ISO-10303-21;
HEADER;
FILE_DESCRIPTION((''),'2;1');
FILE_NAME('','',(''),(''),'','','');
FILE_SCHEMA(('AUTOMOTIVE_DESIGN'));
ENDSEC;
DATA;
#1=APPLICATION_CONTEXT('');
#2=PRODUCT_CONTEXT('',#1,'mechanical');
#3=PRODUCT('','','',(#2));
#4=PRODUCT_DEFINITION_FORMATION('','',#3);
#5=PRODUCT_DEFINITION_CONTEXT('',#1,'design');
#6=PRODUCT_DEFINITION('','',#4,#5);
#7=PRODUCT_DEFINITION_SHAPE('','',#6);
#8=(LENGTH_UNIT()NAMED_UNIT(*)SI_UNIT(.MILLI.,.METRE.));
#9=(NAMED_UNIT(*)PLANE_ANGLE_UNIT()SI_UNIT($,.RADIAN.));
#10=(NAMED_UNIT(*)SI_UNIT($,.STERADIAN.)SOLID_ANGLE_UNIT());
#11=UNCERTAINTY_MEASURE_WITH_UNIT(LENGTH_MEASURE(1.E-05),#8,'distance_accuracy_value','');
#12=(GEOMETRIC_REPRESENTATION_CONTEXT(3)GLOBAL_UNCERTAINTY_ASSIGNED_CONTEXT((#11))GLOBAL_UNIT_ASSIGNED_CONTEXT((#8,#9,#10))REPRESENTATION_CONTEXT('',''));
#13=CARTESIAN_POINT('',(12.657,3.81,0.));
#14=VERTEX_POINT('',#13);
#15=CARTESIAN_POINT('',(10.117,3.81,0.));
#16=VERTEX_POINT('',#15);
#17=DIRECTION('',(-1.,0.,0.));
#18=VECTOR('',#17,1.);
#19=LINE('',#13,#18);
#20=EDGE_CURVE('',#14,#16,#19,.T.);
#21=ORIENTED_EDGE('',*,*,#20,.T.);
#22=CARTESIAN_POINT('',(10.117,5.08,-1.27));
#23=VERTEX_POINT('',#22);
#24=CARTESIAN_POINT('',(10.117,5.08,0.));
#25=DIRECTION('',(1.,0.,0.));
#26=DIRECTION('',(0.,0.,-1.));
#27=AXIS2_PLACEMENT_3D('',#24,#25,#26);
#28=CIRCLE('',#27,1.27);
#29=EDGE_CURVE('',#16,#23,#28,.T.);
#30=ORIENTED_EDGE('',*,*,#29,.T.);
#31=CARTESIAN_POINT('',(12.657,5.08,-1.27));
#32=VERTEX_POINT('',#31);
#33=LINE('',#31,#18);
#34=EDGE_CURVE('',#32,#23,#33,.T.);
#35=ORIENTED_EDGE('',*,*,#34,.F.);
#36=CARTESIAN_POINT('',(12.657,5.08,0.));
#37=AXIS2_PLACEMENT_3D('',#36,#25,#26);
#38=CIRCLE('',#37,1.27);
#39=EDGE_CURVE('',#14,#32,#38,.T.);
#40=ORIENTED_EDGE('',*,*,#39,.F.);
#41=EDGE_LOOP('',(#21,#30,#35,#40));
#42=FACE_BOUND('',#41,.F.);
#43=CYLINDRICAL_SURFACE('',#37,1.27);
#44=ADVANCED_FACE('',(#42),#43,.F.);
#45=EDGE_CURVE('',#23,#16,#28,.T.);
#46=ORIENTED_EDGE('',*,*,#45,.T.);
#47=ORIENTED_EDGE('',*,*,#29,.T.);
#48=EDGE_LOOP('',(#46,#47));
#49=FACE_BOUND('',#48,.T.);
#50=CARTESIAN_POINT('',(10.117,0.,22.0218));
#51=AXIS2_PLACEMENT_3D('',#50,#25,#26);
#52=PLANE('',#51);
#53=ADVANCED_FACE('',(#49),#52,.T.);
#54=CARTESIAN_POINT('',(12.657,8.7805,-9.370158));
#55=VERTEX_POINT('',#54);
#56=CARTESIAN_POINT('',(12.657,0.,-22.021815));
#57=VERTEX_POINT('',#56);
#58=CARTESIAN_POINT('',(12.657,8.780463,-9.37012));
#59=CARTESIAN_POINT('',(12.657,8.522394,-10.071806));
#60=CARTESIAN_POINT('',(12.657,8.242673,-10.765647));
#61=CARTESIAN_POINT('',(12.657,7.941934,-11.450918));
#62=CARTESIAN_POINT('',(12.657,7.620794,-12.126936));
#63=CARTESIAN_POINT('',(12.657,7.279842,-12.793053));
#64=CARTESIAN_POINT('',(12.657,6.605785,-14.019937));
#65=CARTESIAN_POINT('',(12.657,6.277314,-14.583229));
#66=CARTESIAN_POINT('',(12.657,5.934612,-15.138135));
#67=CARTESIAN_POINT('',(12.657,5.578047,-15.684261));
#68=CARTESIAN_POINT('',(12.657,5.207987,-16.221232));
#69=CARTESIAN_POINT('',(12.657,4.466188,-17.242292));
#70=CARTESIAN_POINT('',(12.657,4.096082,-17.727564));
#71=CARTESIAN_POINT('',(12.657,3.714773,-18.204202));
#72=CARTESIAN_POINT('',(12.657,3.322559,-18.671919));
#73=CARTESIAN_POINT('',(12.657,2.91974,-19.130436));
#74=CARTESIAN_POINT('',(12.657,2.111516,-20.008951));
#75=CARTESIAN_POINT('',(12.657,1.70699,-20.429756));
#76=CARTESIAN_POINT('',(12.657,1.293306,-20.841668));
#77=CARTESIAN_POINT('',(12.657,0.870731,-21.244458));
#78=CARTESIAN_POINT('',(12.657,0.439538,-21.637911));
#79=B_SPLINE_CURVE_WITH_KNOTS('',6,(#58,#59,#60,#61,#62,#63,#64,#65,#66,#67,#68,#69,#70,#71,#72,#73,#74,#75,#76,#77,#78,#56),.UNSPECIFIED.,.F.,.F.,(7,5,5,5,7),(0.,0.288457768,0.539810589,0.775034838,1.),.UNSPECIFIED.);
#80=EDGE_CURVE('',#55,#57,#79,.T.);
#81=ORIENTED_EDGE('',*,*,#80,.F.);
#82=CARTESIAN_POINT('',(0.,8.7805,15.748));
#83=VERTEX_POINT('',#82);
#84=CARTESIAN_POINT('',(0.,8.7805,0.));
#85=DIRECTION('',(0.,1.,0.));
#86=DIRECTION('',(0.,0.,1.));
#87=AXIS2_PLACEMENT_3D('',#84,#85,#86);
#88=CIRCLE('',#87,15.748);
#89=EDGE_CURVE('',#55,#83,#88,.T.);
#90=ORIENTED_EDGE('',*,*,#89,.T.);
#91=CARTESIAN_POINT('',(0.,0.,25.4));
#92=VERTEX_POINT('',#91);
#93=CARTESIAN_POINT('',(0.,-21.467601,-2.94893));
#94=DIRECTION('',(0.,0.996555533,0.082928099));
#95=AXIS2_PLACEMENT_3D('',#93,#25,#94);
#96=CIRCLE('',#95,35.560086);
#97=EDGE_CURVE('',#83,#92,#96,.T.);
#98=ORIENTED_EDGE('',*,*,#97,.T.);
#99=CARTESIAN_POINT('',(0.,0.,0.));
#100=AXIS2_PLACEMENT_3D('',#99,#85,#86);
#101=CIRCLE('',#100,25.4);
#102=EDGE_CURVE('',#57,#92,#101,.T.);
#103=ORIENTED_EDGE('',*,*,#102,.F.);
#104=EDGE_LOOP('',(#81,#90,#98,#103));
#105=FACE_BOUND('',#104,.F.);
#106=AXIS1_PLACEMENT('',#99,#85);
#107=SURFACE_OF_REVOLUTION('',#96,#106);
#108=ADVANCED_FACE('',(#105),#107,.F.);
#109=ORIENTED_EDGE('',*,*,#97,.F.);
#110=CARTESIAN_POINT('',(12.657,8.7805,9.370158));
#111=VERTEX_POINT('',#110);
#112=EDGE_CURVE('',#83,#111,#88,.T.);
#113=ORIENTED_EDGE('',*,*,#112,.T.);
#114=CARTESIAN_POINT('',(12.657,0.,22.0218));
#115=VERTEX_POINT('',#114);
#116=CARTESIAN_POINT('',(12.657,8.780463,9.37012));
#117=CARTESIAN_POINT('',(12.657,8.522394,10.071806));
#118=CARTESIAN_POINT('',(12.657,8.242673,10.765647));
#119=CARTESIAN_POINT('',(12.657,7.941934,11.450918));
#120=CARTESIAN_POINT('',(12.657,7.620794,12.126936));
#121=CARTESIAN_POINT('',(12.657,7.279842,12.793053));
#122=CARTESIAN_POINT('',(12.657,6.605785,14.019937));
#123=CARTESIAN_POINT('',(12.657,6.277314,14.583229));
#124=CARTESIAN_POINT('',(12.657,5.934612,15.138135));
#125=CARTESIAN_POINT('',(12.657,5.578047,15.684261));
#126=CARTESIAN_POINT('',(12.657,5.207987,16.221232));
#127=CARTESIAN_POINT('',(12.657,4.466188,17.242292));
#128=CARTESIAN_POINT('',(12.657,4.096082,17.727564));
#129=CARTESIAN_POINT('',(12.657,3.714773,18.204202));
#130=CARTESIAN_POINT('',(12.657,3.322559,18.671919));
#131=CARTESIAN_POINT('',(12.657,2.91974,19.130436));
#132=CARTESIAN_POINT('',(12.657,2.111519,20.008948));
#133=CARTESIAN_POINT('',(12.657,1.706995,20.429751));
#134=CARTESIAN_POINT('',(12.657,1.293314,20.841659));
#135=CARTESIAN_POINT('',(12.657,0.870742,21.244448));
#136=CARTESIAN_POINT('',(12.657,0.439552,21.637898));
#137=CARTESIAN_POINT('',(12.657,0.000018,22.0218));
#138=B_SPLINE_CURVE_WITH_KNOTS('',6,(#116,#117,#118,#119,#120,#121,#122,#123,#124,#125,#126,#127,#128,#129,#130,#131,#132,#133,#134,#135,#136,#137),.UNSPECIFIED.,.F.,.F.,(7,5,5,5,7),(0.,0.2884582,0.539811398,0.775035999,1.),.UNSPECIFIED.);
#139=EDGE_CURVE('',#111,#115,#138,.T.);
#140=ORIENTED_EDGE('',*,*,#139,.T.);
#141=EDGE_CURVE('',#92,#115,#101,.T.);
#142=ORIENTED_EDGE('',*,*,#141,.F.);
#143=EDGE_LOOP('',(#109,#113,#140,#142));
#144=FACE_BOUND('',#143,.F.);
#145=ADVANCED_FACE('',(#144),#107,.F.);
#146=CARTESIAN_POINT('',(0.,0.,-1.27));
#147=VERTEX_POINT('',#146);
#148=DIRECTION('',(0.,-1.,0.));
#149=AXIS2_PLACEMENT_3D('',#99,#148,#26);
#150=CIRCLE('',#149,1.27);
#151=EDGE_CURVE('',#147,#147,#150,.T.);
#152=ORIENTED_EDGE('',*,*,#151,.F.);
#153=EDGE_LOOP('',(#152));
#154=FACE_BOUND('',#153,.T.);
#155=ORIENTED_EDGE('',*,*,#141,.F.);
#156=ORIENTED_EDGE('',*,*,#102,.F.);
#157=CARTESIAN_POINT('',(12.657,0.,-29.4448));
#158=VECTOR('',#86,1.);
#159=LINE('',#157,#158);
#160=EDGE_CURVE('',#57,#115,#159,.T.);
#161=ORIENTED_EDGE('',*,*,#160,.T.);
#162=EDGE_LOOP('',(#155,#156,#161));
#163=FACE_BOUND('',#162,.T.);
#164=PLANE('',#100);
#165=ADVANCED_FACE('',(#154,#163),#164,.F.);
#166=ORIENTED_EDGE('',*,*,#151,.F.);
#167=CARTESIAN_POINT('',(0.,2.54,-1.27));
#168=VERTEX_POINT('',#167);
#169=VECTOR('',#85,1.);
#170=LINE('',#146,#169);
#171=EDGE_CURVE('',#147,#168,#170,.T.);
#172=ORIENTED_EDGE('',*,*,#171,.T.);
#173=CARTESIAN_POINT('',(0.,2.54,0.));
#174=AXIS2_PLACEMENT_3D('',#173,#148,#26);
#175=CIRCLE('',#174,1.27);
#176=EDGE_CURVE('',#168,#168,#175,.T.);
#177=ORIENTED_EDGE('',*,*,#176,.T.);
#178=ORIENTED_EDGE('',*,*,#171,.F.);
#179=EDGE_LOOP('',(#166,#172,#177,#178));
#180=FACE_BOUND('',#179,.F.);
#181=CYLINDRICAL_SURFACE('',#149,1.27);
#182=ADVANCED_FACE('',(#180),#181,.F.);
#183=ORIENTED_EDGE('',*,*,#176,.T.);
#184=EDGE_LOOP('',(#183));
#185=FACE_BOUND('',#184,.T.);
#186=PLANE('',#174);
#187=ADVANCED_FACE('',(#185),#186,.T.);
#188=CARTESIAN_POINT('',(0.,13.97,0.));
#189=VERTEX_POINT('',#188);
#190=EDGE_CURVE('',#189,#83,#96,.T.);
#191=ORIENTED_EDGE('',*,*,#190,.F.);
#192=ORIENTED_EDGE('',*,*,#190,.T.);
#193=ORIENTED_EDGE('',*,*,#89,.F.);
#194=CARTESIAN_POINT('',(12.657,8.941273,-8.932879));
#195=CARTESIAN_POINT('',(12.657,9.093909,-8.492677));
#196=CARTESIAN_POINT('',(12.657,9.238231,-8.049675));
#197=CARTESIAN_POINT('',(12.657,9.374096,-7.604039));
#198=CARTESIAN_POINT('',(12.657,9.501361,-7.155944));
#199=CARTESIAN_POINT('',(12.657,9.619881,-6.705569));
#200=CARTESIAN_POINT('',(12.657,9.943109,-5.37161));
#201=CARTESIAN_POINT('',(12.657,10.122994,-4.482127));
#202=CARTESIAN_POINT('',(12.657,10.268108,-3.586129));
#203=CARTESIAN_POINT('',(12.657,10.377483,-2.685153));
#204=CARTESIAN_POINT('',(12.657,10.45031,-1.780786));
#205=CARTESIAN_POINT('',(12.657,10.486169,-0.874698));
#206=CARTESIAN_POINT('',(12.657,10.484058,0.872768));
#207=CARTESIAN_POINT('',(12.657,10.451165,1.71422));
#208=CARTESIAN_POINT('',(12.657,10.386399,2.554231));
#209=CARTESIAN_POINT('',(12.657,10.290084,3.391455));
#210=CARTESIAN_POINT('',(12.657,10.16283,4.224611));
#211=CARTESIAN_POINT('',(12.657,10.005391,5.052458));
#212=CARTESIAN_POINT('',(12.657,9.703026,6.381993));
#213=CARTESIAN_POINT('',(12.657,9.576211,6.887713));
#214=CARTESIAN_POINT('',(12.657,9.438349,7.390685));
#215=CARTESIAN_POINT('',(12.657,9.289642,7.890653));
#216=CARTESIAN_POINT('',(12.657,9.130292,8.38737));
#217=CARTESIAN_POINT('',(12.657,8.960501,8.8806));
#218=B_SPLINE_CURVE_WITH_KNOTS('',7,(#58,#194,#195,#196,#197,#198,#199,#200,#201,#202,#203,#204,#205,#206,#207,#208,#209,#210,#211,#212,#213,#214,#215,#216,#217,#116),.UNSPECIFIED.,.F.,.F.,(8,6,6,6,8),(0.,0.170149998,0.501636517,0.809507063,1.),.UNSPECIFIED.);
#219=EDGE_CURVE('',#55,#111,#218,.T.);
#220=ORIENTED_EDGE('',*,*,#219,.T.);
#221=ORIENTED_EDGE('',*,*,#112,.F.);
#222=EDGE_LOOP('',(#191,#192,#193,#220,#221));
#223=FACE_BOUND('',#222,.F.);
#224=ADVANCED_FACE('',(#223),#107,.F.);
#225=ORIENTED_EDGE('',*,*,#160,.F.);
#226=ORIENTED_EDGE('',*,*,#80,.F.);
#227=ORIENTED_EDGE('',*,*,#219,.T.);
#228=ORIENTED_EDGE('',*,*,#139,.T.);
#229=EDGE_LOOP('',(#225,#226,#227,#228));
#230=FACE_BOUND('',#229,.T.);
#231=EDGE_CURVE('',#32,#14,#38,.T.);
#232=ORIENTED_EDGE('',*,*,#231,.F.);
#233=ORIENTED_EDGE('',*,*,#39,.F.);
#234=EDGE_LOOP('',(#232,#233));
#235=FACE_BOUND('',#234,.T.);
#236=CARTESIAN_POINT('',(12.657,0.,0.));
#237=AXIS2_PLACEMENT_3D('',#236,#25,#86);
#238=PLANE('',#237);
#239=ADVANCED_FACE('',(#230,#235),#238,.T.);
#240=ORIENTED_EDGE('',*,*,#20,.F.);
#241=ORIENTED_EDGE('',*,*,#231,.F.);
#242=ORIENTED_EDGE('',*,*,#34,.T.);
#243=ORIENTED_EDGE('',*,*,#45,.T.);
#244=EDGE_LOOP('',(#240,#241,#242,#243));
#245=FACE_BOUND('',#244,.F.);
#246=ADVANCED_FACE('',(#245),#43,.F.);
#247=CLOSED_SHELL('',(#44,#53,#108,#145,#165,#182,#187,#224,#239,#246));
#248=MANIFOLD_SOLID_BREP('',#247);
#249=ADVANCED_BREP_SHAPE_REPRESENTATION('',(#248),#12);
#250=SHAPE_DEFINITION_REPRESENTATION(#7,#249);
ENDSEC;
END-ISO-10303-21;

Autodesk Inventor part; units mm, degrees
ref_plane "YZ Plane" through (0, 0, 0) normal (1, 0, 0) x (0, 1, 0)
ref_plane "XZ Plane" through (0, 0, 0) normal (0, 1, 0) x (-1, 0, 0)
ref_plane "XY Plane" through (0, 0, 0) normal (0, 0, 1) x (1, 0, 0)
sketch "Sketch1" plane through (0, 0, 0) normal (1, 0, 0) x (0, 1, 0)
  line L0 (0, 0) -> (0, 25.4)
  line L1 (0, 0) -> (13.97, 0)
  arc A0 (13.97, 0) -> (0, 25.4) centre (-21.4675, -2.9489) ccw
  line L2 (0, 0) -> (0, 15.748)
  line L3 (0, 15.748) -> (8.7805, 15.748)
  dimension "d0" = 25.4
  dimension "d1" = 13.97
  dimension "d2" = 35.56
  dimension "d3" = 15.748
revolve "Revolution1" add sketch "Sketch1" angle 360 about axis through (0, 0, 0) along (0, 1, 0)
sketch "Sketch6" plane through (0, 0, 0) normal (0, -1, 0) x (0, 0, -1)
  circle A0 centre (0, 0) radius 1.27
  dimension "d19" = 2.54
extrude "Extrusion5" cut sketch "Sketch6" against normal blind 2.54
sketch "Sketch7" plane through (0, 0, 0) normal (0, -1, 0) x (0, 0, -1)
  point P0 (0, 0)
sketch "Sketch8" plane through (0, 0, 0) normal (0, -1, 0) x (1, 0, 0)
  circle A0 centre (0, 0) radius 1.27 projected
  line L0 (0, 0) -> (12.657, 0)
  line L1 (12.657, 0) -> (12.657, 22.0218)
  circle A1 centre (0, 0) radius 25.4 projected
  line L2 (12.657, 22.0218) -> (27.5297, 22.0218)
  line L3 (27.5297, 22.0218) -> (27.5297, -29.4448)
  line L4 (27.5297, -29.4448) -> (12.657, -29.4448)
  line L5 (12.657, -29.4448) -> (12.657, 22.0218)
  dimension "d22" = 22.0218
extrude "Extrusion6" cut sketch "Sketch8" against normal blind 25.4 contours L1 A1 L5 | L2 L3 L4 L5 A1 picked at (14.0935, 13.6414)
sketch "Sketch9" plane through (12.657, 0, 22.0218) normal (1, 0, 0) x (0, 0, -1)
  line L0 (22.0218, 0) -> (22.0218, 5.08)
  circle A0 centre (22.0218, 5.08) radius 1.27
  dimension "d25" = 5.08
  dimension "d26" = 2.54
extrude "Extrusion7" cut sketch "Sketch9" against normal blind 2.54
properties part number "camera side 2" material "UHMW, White"
